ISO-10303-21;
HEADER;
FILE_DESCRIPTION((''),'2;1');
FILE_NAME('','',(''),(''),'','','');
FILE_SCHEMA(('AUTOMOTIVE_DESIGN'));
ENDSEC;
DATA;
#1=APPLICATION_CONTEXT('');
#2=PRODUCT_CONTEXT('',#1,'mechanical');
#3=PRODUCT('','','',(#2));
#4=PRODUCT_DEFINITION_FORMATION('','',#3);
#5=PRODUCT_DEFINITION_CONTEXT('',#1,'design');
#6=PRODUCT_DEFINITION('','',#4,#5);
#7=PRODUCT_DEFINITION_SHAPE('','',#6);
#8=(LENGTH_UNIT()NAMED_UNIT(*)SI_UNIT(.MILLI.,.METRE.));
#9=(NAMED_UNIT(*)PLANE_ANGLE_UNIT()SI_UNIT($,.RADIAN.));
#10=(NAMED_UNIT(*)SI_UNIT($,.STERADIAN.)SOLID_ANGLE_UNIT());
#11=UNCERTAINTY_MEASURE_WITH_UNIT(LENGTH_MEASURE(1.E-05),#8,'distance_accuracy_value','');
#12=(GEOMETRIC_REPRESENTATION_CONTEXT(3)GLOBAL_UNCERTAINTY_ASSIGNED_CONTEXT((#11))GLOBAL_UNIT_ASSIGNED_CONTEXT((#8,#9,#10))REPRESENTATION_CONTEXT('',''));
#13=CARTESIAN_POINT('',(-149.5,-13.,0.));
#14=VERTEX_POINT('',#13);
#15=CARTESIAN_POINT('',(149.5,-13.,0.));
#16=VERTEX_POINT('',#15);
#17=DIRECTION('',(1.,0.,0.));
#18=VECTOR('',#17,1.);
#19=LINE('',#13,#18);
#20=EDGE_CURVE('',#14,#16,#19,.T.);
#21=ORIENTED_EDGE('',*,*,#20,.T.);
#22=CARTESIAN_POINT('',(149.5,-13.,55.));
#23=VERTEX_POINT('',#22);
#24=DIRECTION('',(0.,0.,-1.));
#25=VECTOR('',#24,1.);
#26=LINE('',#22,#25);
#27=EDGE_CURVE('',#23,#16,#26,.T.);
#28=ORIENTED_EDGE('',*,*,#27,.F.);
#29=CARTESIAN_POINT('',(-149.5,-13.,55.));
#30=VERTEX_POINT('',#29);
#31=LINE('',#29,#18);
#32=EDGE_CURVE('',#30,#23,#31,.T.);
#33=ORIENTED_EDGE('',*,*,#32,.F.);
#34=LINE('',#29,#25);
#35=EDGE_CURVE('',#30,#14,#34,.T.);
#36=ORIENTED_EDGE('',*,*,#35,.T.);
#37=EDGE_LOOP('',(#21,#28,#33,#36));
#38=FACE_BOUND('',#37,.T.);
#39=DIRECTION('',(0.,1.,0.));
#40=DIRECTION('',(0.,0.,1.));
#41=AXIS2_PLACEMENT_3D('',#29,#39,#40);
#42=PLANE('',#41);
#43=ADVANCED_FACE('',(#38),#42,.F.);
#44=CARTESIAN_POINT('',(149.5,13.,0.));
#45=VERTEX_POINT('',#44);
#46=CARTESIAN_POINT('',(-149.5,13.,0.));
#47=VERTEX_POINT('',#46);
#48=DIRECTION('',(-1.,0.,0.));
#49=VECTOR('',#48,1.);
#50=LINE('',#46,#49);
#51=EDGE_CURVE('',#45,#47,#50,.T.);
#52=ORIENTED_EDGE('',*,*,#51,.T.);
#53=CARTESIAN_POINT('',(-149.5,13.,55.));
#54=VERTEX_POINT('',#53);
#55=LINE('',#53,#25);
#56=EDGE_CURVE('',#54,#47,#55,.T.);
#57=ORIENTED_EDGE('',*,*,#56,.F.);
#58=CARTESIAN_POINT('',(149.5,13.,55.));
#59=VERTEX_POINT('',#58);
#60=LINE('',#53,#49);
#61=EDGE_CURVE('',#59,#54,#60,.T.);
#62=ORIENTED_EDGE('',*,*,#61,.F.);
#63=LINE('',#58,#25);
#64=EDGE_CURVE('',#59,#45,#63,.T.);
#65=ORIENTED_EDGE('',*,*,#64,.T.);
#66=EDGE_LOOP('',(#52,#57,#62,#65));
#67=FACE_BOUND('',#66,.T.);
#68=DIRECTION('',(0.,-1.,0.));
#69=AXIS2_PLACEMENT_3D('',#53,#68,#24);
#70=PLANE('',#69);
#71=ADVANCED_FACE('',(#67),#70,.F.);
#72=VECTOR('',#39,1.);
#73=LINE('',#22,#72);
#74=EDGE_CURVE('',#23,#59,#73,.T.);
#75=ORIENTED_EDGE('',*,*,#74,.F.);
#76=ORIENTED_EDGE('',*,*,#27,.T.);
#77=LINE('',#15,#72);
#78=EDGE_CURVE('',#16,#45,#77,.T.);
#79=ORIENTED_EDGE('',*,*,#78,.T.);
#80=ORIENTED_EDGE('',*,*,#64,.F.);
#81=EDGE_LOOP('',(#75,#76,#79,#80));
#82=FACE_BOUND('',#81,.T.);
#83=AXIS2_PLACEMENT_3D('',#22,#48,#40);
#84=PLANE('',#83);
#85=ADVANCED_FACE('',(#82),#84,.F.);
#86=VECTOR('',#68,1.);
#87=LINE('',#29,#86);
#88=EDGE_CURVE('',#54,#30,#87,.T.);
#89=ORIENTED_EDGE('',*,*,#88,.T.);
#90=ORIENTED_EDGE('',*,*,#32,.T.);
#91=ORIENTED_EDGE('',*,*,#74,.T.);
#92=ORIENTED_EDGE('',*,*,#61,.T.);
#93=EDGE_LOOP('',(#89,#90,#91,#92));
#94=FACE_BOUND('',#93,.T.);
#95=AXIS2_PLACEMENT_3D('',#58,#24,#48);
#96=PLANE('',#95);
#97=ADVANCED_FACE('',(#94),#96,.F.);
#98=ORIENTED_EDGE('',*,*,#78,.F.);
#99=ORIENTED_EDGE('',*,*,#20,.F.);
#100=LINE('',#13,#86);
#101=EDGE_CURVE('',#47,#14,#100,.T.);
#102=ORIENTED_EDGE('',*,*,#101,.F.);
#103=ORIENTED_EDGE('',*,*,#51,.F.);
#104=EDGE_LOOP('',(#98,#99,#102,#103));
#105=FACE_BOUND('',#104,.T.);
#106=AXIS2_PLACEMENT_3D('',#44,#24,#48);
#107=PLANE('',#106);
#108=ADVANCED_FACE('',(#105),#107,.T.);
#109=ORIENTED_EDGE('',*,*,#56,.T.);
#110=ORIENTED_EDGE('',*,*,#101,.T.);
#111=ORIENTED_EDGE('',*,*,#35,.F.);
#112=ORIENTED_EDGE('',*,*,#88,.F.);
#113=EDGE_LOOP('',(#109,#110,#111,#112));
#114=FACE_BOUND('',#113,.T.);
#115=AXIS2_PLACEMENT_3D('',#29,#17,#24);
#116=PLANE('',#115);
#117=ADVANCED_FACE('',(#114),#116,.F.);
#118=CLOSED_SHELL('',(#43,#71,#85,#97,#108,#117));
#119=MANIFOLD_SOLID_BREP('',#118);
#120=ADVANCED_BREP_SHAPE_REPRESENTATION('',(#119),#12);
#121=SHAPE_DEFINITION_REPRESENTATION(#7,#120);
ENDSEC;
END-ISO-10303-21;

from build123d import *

# Parameters (mm, degrees)
SKETCH1_W           = 299
SKETCH1_H           = 26
BOSS_EXTRUDE1_DEPTH = 55


with BuildPart() as part:
    # Sketch1 → Boss-Extrude1 (new body)
    with BuildSketch(Plane.XY):
        Rectangle(SKETCH1_W, SKETCH1_H)
    extrude(amount=BOSS_EXTRUDE1_DEPTH)


solid = part.part
